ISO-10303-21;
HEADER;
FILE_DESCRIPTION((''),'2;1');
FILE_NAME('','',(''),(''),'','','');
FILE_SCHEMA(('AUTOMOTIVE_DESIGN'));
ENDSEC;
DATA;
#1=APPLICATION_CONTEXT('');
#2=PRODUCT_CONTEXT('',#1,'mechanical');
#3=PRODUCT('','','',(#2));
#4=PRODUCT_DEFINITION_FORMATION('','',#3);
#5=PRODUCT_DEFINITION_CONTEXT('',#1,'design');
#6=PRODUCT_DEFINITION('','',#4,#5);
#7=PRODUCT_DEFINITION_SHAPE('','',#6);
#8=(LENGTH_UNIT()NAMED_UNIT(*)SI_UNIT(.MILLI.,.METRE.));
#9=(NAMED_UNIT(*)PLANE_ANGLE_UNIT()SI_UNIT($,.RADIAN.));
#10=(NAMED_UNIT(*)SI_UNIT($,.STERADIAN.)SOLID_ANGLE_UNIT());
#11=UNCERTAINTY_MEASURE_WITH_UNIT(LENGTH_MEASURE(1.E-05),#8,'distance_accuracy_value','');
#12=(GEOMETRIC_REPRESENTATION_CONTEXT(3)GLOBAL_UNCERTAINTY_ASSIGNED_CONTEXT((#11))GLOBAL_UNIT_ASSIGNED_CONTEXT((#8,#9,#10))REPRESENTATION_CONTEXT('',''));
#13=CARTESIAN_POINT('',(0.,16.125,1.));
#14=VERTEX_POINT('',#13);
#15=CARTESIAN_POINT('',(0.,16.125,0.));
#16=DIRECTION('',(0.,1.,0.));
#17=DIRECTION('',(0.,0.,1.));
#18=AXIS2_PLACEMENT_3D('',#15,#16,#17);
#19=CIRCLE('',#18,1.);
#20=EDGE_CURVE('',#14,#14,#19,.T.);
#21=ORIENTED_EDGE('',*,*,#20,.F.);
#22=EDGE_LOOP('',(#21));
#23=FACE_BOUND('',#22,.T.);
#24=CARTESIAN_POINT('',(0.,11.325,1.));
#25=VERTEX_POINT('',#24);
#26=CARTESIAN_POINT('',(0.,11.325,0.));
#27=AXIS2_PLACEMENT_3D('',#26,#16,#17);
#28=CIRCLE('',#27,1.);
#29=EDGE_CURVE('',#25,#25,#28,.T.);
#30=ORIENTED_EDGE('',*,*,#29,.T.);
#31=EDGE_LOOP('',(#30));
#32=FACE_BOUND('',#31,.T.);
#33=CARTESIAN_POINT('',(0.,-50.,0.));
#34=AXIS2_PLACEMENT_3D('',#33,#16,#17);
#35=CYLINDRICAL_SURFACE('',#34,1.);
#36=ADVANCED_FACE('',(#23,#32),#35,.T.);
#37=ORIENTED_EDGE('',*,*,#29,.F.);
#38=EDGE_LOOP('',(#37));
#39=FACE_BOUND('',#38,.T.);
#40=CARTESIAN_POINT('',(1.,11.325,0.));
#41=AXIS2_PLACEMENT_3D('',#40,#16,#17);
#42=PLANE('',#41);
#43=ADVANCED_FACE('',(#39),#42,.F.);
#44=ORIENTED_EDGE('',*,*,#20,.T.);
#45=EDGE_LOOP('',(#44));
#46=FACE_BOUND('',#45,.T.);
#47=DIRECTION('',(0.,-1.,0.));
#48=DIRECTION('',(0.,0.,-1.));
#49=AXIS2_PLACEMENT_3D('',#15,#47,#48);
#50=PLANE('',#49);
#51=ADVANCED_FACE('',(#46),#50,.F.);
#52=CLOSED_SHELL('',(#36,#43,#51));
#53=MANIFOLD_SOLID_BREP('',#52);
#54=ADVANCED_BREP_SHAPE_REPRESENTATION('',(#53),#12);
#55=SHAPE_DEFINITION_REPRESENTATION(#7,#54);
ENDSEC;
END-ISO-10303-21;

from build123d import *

# Parameters (mm, degrees)
SKETCH1_W = 1
SKETCH1_H = 4.8


with BuildPart() as part:
    # Sketch1 → Revolve1 (revolve)
    with BuildSketch(Plane.XY):
        with Locations((0.5, 13.725)):
            Rectangle(SKETCH1_W, SKETCH1_H)
    revolve(axis=Axis((0, -50, 0), (0, 1, 0)))


solid = part.part
